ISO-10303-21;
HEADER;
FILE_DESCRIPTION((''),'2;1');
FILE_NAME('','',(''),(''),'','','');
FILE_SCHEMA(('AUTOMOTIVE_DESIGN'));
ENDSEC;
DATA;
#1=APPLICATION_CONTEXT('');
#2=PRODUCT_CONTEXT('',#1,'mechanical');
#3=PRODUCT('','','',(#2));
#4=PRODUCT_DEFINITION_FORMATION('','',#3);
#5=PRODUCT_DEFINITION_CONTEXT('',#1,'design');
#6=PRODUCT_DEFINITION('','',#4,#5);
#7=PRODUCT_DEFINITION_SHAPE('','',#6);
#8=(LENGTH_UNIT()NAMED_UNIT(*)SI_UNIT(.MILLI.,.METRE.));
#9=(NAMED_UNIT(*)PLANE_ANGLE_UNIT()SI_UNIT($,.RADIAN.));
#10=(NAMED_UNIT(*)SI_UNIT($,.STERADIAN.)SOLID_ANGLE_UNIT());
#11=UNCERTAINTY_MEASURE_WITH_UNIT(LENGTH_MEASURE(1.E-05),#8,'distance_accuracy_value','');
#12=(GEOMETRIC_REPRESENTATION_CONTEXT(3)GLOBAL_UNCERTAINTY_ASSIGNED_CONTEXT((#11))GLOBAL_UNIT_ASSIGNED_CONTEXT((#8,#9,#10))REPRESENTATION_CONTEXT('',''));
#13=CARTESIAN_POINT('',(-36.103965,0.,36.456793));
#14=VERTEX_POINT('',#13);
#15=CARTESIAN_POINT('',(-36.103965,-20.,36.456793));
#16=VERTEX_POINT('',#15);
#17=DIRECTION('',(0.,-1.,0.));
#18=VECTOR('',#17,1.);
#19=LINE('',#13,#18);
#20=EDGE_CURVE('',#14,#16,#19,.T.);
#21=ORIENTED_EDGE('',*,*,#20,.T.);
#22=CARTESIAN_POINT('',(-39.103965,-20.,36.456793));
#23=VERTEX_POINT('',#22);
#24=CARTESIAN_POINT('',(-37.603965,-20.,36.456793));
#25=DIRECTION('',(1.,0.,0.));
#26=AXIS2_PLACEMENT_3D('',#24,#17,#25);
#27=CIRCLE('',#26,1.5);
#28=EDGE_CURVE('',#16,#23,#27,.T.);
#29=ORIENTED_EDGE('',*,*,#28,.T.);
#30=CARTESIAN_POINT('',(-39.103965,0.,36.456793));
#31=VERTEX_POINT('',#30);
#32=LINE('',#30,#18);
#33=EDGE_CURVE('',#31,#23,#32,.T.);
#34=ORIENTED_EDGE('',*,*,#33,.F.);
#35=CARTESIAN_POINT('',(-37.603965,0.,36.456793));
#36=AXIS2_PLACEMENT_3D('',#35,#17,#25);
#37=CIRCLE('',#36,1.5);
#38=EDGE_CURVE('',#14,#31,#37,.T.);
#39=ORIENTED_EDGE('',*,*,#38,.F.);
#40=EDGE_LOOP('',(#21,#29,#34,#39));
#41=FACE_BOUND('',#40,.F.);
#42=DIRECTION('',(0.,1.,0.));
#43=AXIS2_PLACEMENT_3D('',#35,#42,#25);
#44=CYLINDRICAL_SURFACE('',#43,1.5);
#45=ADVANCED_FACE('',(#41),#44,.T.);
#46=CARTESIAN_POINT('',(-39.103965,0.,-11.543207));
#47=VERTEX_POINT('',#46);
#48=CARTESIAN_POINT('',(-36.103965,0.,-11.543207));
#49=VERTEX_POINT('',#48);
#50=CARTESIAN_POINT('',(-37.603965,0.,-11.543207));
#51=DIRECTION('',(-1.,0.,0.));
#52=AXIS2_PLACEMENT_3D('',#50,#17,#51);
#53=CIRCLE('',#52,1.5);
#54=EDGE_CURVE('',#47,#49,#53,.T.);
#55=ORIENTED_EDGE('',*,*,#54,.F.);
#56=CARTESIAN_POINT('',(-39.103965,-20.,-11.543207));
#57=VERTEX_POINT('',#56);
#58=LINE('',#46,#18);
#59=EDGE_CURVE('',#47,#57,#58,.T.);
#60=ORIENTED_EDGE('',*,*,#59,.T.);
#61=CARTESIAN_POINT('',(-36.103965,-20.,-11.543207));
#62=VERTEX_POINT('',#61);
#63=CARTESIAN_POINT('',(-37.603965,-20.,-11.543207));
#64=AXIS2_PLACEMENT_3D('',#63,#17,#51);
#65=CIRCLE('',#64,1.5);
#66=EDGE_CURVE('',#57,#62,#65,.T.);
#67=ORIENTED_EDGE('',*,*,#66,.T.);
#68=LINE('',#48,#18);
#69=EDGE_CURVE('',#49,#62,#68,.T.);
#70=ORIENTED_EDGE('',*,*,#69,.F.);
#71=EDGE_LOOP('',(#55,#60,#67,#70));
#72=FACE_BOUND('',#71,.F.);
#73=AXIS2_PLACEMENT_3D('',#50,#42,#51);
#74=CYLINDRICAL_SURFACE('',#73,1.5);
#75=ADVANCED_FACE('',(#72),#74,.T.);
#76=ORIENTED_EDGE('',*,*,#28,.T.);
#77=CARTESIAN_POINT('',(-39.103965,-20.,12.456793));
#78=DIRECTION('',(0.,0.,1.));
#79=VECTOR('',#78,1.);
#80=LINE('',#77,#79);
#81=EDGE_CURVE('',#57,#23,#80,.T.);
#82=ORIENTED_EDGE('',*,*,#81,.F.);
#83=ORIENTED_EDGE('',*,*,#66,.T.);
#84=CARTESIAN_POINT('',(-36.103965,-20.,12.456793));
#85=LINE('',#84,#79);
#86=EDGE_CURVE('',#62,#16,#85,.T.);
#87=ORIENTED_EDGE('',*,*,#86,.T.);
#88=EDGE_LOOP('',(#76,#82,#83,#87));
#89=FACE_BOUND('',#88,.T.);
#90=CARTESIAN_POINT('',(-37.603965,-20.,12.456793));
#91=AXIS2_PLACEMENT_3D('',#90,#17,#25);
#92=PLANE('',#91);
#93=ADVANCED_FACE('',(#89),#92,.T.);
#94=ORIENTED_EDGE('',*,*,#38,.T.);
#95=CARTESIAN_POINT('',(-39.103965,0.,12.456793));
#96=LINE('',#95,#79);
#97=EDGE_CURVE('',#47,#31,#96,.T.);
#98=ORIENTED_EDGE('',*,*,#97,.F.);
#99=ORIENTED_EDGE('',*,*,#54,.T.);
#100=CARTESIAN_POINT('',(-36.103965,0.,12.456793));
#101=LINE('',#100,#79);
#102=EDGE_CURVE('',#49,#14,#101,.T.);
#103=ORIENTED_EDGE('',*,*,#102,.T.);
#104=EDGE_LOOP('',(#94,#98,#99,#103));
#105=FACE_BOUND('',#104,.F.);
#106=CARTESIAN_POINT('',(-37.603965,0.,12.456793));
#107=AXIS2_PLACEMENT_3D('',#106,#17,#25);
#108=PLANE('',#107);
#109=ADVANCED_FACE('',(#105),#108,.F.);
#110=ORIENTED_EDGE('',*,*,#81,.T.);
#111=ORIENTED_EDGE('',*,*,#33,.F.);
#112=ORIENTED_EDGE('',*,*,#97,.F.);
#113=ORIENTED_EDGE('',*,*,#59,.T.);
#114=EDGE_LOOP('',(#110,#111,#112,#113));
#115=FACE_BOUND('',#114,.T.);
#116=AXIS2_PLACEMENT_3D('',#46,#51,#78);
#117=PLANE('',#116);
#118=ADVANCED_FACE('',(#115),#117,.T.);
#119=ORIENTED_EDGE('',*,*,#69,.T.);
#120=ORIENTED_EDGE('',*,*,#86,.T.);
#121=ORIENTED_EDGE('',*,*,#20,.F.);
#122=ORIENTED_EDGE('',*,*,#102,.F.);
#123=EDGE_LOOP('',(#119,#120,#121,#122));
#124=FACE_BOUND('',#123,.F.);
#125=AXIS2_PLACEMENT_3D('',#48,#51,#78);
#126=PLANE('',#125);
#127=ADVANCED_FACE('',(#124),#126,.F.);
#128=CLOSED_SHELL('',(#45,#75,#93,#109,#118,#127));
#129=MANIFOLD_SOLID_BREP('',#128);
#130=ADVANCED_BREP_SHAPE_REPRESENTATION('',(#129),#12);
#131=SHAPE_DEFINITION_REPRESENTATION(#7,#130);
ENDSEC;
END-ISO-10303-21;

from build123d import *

# Parameters (mm, degrees)
F0_W     = 3
F0_H     = 48
F1_DEPTH = 20


with BuildPart() as f1:
    # F0 (on Front) → F1 (new body)
    with BuildSketch(Plane.XZ):
        with Locations((-37.603965, 12.456793)):
            Rectangle(F0_W, F0_H)
        with BuildLine():
            Line((-39.103965, 36.456793), (-36.103965, 36.456793))
            ThreePointArc((-36.103965, 36.456793), (-37.603965, 37.956793), (-39.103965, 36.456793))
        make_face()
        with BuildLine():
            ThreePointArc((-39.103965, -11.543207), (-37.603965, -13.043207), (-36.103965, -11.543207))
            Line((-36.103965, -11.543207), (-39.103965, -11.543207))
        make_face()
    extrude(amount=F1_DEPTH)


solid = f1.part
